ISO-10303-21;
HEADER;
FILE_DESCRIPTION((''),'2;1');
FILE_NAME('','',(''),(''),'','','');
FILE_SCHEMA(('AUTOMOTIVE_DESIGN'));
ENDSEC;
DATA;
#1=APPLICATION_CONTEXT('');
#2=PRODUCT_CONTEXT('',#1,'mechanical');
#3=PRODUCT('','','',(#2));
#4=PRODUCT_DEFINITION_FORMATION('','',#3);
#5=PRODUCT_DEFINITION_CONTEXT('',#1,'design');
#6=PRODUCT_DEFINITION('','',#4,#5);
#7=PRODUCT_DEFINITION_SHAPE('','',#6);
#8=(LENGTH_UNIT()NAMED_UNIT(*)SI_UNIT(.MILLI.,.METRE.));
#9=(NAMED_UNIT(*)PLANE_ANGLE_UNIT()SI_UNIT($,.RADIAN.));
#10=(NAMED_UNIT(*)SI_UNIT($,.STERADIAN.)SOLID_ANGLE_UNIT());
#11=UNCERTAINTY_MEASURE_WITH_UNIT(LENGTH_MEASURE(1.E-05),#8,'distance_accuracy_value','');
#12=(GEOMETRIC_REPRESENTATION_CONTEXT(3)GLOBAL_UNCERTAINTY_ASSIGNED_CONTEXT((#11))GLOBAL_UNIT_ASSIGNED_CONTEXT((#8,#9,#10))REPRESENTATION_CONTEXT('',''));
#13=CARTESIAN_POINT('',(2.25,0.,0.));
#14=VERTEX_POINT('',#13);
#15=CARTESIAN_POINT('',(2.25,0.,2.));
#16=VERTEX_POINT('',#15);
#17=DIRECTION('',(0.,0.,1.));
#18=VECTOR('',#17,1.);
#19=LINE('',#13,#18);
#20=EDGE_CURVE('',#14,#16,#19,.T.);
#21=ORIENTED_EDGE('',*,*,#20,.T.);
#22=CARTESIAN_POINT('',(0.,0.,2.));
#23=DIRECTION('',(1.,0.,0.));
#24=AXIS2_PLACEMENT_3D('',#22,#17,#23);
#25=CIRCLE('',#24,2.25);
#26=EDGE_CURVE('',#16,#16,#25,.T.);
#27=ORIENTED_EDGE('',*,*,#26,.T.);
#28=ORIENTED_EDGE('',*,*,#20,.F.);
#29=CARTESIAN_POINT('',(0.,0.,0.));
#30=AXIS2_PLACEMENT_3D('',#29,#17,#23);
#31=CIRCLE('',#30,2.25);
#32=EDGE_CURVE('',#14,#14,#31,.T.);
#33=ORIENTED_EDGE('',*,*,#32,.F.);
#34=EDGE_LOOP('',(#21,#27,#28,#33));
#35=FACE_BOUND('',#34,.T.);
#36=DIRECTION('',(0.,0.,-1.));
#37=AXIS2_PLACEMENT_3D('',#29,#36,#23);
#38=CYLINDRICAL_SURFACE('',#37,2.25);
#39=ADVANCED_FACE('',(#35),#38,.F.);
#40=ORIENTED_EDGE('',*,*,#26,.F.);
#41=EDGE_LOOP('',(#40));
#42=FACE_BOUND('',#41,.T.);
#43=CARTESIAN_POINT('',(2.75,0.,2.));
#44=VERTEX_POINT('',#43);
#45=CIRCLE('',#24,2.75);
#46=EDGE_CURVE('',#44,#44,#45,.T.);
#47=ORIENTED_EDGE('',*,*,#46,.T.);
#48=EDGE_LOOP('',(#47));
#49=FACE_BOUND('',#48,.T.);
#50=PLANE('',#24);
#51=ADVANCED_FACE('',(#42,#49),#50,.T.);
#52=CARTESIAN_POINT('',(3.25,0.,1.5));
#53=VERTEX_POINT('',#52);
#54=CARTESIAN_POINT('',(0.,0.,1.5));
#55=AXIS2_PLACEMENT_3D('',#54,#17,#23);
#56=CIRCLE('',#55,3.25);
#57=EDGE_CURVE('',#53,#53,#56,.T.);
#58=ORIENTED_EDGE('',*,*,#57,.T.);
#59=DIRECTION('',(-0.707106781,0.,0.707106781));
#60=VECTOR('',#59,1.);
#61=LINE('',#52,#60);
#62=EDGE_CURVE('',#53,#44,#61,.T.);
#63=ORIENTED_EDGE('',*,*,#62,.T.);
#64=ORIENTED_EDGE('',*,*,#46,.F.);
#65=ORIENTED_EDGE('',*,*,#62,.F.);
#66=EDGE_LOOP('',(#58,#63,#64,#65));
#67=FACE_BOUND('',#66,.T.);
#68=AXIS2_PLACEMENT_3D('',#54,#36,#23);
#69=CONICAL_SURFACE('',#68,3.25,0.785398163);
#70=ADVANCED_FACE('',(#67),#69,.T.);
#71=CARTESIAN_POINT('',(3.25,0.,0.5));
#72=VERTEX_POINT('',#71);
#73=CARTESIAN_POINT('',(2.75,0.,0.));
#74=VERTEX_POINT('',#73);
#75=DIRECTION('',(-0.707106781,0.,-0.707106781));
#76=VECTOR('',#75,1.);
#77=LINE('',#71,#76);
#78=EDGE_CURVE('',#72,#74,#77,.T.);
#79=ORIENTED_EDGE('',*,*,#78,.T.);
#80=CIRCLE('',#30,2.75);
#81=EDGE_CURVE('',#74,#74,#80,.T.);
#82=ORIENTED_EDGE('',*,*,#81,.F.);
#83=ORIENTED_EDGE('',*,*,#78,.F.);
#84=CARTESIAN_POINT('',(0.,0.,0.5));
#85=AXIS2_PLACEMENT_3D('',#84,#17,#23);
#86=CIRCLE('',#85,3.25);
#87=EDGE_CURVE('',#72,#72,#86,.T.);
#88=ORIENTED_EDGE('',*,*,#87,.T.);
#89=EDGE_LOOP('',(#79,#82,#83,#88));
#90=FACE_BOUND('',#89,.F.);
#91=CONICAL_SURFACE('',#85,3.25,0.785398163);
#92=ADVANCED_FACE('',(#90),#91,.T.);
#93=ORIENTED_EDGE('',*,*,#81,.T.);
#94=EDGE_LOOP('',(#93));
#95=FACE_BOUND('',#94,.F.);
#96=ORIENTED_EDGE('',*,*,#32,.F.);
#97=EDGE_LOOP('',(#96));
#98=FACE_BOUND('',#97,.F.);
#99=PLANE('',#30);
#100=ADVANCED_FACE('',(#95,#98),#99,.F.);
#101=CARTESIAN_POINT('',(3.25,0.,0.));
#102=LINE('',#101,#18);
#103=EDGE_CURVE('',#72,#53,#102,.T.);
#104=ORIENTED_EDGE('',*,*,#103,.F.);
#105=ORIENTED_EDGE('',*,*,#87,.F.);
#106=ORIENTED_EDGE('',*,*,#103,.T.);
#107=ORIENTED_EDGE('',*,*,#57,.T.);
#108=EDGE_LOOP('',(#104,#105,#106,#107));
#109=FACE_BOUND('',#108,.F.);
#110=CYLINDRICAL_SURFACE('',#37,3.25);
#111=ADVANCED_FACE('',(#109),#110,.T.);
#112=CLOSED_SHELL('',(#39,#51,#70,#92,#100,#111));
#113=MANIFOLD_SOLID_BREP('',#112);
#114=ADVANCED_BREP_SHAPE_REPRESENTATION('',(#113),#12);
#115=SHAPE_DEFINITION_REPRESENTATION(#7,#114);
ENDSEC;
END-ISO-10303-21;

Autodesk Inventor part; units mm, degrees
ref_plane "YZ Plane" through (0, 0, 0) normal (1, 0, 0) x (0, 1, 0)
ref_plane "XZ Plane" through (0, 0, 0) normal (0, 1, 0) x (-1, 0, 0)
ref_plane "XY Plane" through (0, 0, 0) normal (0, 0, 1) x (1, 0, 0)
sketch "スケッチ1" plane through (0, 0, 0) normal (0, 0, 1) x (1, 0, 0)
  circle A0 centre (0, 0) radius 2.25
  circle A1 centre (0, 0) radius 3.25
  dimension "d0" = 4.5
  dimension "d1" = 6.5
extrude "押し出し1" add sketch "スケッチ1" along normal blind 2
chamfer "面取り1" distance 0.5 angle 45 2 edges at (-3.25, 0, 0) (-3.25, 0, 2)
properties part number "外周ベアリングスペーサ"
